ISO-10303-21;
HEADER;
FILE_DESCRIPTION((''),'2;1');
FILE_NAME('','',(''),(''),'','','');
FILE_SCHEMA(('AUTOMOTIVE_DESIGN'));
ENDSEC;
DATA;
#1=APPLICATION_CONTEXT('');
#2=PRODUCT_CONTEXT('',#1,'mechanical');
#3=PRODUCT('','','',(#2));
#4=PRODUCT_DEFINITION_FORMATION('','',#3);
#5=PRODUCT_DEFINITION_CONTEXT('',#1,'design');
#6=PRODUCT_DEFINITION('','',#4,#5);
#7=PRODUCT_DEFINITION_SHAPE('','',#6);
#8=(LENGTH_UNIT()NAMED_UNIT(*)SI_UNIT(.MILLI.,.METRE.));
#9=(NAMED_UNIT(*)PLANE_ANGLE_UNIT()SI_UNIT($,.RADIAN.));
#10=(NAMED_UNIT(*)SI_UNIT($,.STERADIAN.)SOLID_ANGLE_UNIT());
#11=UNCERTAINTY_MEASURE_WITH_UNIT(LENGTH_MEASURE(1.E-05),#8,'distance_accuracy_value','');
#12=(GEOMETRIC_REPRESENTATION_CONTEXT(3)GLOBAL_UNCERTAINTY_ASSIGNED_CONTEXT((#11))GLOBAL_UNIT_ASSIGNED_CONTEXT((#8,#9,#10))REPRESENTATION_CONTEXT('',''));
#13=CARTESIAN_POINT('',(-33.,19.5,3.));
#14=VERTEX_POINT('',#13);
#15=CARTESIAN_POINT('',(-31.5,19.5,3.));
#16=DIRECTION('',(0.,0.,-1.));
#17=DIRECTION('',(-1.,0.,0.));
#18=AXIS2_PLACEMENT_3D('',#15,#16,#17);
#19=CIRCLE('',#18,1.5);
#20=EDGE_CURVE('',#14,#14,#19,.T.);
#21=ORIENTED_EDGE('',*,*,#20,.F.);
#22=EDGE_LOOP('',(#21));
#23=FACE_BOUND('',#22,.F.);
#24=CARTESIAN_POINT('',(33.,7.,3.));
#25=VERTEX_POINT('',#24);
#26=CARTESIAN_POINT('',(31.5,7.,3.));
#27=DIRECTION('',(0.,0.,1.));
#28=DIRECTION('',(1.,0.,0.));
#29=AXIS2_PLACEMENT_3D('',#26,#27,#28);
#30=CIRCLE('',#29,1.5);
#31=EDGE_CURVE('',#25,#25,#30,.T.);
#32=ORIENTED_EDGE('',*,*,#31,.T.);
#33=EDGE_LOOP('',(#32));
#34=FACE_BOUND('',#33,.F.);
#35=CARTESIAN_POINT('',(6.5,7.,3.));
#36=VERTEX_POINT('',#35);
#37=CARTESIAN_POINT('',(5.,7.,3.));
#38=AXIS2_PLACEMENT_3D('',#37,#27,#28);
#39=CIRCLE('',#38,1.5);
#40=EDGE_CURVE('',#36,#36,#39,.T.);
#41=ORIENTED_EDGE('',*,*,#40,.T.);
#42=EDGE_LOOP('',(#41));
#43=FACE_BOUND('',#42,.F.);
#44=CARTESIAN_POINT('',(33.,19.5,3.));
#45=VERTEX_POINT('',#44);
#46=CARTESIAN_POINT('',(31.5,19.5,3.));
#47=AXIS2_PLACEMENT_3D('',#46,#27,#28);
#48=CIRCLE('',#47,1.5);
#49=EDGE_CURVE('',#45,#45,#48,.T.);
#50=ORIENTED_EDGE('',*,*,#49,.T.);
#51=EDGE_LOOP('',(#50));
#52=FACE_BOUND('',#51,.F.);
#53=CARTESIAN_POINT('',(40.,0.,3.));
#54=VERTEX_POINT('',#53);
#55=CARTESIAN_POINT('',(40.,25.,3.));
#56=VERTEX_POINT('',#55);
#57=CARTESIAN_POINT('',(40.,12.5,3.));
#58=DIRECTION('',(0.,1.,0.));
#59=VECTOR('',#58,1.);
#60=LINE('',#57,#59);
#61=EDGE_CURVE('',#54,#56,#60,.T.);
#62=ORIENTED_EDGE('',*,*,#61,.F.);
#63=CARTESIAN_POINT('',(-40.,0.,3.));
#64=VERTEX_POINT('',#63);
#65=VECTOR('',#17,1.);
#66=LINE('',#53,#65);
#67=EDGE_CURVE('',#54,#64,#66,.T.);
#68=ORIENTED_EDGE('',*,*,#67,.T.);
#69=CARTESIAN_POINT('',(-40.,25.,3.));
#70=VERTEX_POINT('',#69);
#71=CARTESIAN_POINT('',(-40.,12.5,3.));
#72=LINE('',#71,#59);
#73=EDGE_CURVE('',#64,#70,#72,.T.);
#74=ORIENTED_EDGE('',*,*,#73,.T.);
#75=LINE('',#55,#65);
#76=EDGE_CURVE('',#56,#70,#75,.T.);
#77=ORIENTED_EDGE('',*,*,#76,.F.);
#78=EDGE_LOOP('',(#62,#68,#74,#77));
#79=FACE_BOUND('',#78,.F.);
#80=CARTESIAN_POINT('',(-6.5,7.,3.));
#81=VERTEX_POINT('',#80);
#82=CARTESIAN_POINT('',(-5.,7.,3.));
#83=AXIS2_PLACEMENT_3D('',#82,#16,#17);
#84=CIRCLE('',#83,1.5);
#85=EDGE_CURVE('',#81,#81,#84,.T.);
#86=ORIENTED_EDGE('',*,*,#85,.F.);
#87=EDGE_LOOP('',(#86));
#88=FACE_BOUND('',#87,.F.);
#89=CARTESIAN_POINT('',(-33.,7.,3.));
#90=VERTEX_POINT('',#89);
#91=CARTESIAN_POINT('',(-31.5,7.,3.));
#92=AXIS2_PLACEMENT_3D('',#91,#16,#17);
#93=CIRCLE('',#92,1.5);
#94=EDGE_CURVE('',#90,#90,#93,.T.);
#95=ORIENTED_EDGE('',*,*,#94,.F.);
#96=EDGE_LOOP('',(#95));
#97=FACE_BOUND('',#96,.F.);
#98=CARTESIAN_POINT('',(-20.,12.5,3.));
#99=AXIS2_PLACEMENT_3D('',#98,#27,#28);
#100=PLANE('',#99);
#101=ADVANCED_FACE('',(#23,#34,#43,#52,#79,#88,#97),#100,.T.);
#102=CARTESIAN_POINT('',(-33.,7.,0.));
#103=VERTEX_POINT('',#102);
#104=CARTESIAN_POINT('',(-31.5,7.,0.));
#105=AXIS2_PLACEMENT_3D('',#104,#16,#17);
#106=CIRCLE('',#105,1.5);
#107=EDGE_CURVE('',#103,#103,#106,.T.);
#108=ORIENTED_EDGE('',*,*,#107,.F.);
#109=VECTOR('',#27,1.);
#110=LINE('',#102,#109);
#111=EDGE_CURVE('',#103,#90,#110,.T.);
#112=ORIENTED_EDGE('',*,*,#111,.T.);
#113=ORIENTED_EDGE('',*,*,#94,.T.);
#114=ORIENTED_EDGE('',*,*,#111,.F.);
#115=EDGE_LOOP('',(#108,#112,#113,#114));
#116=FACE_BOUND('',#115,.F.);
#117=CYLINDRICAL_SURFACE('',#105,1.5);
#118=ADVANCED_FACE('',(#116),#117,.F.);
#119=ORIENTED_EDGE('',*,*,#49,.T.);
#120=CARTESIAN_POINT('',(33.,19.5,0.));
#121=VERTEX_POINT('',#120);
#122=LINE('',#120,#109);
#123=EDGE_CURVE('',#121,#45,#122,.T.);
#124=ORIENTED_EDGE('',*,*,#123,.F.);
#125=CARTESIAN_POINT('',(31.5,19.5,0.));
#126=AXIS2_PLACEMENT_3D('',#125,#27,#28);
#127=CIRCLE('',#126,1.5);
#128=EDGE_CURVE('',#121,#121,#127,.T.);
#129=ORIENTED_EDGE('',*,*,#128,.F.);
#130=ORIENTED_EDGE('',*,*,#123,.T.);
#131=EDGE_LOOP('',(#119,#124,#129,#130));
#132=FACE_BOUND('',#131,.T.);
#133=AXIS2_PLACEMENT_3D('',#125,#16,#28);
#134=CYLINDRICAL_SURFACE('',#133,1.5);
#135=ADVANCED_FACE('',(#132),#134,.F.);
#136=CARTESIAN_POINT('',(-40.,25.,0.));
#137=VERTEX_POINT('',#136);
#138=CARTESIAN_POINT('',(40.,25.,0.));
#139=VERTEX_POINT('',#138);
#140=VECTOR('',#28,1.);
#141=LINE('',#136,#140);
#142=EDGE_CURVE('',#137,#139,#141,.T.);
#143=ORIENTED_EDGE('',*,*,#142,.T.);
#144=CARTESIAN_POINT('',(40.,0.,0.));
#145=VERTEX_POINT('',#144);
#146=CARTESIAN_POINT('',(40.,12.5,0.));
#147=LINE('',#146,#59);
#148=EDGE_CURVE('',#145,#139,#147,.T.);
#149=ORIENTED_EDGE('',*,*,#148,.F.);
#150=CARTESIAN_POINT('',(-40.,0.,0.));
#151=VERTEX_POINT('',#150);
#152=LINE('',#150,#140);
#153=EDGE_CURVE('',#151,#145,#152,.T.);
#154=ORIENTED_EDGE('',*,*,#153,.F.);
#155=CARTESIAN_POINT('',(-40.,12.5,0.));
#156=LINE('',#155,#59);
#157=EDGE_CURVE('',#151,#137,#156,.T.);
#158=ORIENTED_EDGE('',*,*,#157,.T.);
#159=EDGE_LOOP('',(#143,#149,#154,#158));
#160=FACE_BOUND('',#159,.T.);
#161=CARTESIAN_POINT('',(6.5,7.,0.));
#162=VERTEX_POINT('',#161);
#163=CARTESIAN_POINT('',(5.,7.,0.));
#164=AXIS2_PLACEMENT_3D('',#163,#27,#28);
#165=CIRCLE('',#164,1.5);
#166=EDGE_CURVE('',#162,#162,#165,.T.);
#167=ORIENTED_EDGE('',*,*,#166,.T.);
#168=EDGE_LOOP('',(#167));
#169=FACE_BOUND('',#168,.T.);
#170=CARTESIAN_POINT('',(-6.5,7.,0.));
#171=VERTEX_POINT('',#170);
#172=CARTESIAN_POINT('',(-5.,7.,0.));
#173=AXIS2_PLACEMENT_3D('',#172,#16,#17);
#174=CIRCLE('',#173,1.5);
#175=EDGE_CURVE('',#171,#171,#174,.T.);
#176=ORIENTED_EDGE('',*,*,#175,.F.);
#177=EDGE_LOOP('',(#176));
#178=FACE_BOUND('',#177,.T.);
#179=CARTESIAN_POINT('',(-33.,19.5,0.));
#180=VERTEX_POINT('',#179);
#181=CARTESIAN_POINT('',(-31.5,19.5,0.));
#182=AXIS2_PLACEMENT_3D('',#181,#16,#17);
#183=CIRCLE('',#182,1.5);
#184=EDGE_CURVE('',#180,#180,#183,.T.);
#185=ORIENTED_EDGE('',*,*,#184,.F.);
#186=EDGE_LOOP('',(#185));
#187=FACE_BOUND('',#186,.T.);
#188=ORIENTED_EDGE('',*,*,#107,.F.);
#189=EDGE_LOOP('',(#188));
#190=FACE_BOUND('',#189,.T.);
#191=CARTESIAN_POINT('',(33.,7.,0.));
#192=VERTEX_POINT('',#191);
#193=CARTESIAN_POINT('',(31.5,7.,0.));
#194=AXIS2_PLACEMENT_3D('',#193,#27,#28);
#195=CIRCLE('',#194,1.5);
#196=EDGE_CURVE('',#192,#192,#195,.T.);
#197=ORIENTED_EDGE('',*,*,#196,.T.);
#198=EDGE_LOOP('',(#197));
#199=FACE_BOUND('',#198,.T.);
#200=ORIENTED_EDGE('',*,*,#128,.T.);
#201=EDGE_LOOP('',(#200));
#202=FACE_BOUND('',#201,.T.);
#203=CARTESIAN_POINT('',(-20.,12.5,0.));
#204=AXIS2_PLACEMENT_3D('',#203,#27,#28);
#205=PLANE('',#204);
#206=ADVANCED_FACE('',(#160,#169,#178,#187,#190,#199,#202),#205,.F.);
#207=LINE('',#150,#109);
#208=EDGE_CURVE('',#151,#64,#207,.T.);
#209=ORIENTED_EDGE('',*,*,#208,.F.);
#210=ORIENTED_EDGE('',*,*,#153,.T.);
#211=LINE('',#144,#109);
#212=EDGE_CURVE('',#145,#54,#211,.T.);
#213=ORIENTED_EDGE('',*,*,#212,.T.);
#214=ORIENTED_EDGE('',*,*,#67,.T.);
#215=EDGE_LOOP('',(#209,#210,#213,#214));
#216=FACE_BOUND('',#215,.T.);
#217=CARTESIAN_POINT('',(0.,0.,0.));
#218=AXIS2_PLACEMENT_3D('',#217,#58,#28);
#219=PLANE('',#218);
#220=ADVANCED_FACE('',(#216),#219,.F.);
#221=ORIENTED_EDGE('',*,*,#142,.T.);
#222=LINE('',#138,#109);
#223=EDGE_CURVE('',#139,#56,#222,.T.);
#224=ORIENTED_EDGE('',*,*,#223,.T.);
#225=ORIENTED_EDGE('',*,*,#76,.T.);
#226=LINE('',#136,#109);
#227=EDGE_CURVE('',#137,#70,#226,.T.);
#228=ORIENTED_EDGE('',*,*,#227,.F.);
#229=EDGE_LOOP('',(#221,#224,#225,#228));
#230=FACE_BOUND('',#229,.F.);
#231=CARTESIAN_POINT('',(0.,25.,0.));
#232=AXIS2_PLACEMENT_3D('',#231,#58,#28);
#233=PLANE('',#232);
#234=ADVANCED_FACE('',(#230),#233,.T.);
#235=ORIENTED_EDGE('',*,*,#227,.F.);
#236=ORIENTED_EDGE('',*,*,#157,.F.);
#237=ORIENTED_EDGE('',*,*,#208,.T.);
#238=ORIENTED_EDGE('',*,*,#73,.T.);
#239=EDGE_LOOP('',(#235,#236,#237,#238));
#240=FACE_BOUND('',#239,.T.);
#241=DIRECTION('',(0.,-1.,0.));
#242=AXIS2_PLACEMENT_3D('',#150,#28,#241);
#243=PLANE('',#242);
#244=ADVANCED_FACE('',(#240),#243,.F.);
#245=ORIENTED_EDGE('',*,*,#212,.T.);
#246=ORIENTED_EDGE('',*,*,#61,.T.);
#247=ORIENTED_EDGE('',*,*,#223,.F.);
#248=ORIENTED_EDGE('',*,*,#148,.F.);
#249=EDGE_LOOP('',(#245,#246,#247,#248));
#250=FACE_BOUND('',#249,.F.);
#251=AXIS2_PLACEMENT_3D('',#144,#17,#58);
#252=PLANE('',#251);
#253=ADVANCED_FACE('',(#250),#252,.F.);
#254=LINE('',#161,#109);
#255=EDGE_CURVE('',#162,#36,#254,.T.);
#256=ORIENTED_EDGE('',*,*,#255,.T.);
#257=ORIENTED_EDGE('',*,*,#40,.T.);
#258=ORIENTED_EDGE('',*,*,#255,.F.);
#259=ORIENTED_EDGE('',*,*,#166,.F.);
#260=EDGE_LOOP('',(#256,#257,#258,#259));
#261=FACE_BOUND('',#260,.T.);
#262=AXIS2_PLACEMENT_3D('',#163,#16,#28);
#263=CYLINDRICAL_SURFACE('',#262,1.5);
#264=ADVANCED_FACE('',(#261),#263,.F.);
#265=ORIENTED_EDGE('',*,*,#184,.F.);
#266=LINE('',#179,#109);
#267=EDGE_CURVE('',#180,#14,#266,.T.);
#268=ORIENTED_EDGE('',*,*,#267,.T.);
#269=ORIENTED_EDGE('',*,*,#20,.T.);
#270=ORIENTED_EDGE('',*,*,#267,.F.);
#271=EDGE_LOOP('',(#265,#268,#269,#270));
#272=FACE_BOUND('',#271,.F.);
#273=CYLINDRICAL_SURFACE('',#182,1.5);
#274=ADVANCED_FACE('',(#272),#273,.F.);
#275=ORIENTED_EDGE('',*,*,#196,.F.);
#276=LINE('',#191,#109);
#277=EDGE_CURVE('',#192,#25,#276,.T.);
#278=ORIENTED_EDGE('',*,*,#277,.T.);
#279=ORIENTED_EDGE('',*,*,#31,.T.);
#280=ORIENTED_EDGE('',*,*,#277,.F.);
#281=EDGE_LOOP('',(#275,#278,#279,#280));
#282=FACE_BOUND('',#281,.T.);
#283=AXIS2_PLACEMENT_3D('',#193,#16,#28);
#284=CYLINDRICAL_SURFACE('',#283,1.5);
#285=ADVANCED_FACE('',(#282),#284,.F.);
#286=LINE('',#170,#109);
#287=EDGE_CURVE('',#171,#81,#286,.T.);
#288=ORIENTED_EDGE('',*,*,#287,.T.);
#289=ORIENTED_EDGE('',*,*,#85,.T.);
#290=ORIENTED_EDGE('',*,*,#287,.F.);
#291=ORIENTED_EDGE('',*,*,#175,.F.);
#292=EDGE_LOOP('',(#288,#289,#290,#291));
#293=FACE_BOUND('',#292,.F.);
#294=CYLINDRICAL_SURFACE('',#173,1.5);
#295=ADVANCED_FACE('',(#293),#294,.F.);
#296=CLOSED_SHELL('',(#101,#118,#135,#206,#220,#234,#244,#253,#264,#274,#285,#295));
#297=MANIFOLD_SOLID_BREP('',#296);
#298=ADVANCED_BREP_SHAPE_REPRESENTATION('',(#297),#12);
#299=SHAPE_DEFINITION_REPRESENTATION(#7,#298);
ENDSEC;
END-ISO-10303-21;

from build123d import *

# Parameters (mm, degrees)
SKETCH_W  = 40
SKETCH_H  = 25
SKETCH_R  = 1.5
PAD_DEPTH = 3


with BuildPart() as part:
    # Sketch → Pad (new body)
    with BuildSketch(Plane.XY):
        with Locations((20, 12.5)):
            Rectangle(SKETCH_W, SKETCH_H)
        with Locations((31.5, 19.5)):
            Circle(SKETCH_R, mode=Mode.SUBTRACT)
        with Locations((31.5, 7)):
            Circle(SKETCH_R, mode=Mode.SUBTRACT)
        with Locations((5, 7)):
            Circle(SKETCH_R, mode=Mode.SUBTRACT)
    pad = extrude(amount=PAD_DEPTH)

    # Mirrored: Pad across Sketch V_Axis
    add(pad.mirror(Plane(origin=(0, 0, 0), x_dir=(0, 0, 1), z_dir=(1, 0, 0))))


solid = part.part
